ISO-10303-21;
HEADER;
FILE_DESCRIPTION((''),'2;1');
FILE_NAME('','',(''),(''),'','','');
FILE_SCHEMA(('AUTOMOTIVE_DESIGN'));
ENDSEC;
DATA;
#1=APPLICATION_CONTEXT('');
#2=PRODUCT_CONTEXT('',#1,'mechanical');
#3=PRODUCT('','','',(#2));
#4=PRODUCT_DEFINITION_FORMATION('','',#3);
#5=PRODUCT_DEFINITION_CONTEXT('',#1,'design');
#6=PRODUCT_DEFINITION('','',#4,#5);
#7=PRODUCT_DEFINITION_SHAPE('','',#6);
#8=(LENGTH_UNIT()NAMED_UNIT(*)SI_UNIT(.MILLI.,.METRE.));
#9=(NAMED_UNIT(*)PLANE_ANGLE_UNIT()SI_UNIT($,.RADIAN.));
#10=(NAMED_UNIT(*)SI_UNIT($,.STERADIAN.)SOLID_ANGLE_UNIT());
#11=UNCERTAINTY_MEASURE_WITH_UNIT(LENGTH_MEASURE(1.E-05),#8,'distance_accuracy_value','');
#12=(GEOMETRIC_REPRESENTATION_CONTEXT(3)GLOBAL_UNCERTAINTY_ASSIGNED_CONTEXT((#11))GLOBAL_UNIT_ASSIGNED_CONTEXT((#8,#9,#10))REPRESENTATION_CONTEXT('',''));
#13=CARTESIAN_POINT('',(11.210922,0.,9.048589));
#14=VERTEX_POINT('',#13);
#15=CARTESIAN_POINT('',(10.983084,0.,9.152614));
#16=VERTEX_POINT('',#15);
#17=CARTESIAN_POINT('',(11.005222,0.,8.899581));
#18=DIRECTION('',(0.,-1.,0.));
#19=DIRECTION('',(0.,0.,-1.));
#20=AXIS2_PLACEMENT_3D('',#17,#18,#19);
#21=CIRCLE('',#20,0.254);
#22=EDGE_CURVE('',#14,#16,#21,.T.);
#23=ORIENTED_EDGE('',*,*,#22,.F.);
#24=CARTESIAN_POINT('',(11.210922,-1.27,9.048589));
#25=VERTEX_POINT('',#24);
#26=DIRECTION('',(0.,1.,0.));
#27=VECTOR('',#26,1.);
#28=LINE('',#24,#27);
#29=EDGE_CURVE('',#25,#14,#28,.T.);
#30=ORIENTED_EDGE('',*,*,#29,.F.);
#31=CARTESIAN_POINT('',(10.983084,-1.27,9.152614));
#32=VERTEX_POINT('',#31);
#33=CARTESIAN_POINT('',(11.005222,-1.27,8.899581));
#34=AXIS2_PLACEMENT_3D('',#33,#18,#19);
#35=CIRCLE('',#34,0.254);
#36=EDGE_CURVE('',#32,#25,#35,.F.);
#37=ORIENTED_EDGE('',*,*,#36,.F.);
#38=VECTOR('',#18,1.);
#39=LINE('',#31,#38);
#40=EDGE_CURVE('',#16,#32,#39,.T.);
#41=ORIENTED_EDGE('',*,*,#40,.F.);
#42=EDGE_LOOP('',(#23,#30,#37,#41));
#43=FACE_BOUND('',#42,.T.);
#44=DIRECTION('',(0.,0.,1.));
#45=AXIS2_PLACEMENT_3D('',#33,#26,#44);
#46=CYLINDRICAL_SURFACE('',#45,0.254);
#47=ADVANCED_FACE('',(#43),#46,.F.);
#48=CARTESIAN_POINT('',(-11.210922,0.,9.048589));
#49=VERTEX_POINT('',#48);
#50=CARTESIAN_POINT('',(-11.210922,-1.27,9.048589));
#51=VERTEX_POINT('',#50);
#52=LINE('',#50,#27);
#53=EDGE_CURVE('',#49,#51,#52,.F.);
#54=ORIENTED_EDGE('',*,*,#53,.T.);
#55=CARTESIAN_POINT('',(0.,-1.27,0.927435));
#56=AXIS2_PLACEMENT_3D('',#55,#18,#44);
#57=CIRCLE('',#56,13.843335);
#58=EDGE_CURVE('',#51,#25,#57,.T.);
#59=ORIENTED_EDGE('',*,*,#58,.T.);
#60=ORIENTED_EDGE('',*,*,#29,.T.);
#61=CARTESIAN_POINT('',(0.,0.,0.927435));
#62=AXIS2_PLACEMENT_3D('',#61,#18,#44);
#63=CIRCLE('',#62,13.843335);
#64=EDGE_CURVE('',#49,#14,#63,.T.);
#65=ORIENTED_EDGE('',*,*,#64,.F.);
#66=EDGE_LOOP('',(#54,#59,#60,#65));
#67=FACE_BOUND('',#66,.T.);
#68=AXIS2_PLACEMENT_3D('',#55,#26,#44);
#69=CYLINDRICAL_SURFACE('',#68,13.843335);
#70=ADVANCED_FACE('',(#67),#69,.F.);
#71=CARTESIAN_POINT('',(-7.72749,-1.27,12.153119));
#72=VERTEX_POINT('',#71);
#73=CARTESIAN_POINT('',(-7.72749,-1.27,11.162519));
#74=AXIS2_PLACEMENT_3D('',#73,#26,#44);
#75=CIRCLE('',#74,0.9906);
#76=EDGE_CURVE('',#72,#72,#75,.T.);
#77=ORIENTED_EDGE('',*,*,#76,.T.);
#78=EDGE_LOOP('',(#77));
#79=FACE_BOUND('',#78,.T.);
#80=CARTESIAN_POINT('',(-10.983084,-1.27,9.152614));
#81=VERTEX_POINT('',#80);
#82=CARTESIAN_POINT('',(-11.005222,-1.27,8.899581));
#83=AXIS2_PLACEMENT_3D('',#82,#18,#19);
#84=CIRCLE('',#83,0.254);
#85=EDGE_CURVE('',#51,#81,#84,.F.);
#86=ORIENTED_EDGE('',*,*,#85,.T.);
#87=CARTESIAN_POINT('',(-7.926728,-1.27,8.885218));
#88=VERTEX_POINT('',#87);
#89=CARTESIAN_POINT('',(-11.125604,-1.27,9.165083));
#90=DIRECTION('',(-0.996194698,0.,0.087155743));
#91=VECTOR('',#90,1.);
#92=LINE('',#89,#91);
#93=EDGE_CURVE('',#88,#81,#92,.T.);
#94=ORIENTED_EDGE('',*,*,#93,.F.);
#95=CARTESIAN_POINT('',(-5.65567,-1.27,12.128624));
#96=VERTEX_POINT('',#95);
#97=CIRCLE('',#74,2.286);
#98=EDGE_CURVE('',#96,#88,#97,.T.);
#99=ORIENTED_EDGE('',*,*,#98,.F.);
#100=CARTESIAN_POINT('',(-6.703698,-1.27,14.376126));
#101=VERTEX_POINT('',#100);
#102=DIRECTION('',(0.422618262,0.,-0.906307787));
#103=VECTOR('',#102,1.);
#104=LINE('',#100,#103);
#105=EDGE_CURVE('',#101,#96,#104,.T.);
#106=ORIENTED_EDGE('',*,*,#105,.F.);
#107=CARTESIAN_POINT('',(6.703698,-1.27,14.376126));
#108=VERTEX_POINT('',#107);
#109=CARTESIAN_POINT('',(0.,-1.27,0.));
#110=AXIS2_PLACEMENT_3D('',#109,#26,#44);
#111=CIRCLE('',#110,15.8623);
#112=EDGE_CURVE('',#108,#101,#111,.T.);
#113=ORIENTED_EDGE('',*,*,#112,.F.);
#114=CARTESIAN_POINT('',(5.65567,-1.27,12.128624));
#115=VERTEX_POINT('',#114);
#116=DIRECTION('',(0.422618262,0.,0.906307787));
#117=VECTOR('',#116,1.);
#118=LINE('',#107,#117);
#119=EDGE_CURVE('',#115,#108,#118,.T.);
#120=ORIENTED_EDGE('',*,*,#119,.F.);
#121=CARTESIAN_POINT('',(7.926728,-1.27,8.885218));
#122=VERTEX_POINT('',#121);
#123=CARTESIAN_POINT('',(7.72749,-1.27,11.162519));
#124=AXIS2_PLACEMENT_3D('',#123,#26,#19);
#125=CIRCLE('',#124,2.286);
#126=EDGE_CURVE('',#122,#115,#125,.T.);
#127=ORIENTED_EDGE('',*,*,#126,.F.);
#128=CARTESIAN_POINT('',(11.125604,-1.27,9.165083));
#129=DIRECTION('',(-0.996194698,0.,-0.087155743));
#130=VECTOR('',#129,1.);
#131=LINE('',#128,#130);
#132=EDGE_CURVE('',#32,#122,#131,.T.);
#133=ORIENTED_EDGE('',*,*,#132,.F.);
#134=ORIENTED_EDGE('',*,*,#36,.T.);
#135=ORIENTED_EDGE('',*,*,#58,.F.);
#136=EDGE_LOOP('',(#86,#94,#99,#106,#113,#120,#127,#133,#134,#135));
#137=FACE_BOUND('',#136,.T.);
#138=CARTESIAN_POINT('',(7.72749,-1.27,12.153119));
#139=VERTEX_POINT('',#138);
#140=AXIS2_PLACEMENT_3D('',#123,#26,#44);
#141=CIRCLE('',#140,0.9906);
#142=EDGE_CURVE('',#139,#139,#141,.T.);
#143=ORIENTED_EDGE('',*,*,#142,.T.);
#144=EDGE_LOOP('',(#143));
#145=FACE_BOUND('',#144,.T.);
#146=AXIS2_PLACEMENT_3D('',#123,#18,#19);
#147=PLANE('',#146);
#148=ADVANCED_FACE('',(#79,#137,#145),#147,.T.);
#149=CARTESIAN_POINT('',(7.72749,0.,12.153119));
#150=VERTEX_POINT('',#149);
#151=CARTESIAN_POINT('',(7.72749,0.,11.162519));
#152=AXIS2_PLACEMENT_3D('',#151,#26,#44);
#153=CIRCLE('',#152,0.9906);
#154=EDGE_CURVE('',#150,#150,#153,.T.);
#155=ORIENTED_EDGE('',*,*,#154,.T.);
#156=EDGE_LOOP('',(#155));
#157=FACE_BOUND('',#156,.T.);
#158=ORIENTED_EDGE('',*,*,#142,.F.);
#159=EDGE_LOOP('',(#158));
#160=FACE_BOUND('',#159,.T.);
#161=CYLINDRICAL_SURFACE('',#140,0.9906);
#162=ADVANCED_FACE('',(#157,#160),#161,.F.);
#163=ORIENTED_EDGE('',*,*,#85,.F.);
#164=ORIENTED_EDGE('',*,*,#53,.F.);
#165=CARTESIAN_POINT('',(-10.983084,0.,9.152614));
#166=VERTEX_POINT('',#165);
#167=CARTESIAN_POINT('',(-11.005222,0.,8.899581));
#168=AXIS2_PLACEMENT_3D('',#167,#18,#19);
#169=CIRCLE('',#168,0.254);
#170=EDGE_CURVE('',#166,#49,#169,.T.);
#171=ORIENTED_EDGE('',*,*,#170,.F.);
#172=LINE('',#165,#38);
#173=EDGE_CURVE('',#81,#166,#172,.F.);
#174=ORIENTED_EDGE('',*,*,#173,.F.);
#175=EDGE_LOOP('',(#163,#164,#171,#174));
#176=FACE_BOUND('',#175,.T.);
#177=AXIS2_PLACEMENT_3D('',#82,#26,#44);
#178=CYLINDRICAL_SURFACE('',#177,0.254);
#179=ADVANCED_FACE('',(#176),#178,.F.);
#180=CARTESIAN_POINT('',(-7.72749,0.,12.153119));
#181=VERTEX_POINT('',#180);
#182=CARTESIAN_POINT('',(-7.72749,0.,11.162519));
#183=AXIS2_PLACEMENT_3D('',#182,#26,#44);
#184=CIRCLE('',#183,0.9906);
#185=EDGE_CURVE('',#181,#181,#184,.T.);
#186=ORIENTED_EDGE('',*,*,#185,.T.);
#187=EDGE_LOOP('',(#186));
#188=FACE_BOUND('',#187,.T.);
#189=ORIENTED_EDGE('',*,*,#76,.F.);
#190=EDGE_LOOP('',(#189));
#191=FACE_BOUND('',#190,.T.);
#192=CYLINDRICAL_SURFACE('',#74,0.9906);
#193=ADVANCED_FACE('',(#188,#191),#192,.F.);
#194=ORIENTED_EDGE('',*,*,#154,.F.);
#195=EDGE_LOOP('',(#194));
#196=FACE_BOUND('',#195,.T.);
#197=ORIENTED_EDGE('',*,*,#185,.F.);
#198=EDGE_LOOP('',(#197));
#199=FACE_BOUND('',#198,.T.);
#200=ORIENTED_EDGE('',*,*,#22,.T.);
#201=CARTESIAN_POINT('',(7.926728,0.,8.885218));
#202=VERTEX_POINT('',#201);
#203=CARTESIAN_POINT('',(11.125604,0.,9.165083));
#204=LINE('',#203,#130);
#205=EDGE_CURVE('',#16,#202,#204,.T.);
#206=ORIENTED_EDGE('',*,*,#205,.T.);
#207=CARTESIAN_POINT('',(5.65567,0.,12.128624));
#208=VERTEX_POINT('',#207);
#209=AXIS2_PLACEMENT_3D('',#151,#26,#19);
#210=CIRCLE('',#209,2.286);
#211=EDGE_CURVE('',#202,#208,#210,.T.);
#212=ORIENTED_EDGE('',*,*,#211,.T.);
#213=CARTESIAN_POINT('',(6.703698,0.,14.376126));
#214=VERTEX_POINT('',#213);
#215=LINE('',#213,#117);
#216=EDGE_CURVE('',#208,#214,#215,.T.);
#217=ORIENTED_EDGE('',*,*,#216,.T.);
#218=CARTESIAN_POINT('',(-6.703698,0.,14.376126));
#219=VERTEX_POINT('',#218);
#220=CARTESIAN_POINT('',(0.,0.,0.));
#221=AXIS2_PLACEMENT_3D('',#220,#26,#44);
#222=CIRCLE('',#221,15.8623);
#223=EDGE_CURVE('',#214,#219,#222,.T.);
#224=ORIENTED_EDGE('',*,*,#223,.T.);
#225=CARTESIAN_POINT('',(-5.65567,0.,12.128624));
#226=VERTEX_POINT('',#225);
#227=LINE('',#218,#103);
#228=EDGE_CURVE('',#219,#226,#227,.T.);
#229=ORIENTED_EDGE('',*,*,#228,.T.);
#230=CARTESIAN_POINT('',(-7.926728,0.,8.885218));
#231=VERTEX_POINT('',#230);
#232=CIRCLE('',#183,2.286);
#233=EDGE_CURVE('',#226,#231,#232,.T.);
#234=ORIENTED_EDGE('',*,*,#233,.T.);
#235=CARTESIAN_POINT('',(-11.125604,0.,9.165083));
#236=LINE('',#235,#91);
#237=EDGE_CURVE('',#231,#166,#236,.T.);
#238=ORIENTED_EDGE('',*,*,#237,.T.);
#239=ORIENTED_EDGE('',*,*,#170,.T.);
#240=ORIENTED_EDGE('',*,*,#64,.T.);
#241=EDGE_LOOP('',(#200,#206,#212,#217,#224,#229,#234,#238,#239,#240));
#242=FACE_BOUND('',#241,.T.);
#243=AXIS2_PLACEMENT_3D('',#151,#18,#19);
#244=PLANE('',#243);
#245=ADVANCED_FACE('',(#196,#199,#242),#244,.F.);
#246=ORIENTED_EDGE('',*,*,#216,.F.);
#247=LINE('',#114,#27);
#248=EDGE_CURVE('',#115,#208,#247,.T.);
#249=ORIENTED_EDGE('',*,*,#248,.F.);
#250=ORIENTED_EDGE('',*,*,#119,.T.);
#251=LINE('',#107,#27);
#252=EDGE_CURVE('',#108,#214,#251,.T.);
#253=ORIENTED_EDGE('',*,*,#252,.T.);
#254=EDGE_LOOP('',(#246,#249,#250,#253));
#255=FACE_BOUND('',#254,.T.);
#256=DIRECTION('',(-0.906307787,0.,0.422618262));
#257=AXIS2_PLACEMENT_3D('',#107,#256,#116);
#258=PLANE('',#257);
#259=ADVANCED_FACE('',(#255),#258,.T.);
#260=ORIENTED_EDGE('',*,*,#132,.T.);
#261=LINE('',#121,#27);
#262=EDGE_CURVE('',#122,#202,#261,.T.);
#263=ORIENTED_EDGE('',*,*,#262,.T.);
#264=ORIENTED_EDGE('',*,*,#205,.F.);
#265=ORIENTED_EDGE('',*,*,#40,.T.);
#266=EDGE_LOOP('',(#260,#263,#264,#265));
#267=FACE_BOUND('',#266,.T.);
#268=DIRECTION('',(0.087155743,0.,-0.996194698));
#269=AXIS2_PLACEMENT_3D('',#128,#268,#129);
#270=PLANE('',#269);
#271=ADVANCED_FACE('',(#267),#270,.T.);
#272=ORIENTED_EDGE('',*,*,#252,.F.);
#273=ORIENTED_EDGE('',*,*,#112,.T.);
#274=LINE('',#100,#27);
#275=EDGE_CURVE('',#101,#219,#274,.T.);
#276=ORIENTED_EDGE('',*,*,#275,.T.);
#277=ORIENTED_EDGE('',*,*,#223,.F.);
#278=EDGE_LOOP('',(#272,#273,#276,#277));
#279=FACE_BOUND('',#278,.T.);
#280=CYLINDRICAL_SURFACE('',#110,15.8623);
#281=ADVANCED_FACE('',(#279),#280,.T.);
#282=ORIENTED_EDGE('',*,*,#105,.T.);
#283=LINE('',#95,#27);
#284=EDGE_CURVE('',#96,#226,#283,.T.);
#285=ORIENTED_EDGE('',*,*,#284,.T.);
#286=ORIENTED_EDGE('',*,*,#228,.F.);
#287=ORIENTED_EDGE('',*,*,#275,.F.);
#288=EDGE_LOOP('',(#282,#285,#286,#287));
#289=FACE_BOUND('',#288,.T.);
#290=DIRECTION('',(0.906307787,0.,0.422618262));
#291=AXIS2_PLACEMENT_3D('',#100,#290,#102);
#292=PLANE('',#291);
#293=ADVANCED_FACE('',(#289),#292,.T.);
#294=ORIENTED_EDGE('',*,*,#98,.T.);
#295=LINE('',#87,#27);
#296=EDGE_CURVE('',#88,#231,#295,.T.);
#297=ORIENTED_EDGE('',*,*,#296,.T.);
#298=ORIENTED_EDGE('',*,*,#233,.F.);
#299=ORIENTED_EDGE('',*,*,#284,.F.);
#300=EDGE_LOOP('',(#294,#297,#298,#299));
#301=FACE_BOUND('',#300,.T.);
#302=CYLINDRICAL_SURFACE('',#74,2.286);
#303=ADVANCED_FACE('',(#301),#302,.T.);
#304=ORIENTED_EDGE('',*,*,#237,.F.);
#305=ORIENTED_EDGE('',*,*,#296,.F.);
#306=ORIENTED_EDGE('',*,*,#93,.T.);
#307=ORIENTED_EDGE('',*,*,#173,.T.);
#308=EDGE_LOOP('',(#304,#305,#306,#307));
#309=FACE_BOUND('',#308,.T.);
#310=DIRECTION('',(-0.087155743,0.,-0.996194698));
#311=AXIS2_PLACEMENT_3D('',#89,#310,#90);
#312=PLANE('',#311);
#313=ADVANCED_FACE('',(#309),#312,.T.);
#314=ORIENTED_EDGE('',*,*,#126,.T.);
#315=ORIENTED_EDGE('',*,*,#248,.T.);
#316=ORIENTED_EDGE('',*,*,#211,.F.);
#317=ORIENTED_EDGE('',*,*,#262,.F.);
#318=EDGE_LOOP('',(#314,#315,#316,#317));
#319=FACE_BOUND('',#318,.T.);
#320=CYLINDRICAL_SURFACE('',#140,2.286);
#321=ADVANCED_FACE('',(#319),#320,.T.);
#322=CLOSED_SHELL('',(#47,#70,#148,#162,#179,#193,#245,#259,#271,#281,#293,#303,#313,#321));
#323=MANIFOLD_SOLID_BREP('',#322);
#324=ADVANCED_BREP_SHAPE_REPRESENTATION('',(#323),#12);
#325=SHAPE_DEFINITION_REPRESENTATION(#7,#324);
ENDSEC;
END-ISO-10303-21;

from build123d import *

# Parameters (mm, degrees)
SKETCH2_R      = 0.9906
EXTRUDE1_DEPTH = 1.27
FILLET1_R      = 0.254


with BuildPart() as part:
    # Sketch2 → Extrude1 (new body)
    with BuildSketch(Plane(origin=(0, 0, 0), x_dir=(1, 0, 0), z_dir=(0, 1, 0))):
        with BuildLine():
            Line((6.703697653, -14.37612601), (5.655670247, -12.128623984))
            ThreePointArc((5.655670247, -12.128623984), (5.854908275, -9.851322904), (7.926727876, -8.885217558))
            Line((7.926727876, -8.885217558), (11.125604013, -9.165082956))
            ThreePointArc((11.125604013, -9.165082956), (0, 12.9159), (-11.125604013, -9.165082956))
            Line((-11.125604013, -9.165082956), (-7.926727876, -8.885217558))
            ThreePointArc((-7.926727876, -8.885217558), (-5.854908275, -9.851322904), (-5.655670247, -12.128623984))
            Line((-5.655670247, -12.128623984), (-6.703697653, -14.37612601))
            ThreePointArc((-6.703697653, -14.37612601), (0, 15.8623), (6.703697653, -14.37612601))
        make_face()
        with Locations((7.727489848, -11.162518638)):
            Circle(SKETCH2_R, mode=Mode.SUBTRACT)
        with Locations((-7.727489848, -11.162518638)):
            Circle(SKETCH2_R, mode=Mode.SUBTRACT)
    extrude(amount=-EXTRUDE1_DEPTH)

    # Fillet1
    fillet1_edges = [part.edges().sort_by_distance(p)[0] for p in [
        (11.125604013, -0.635, 9.165082956),
        (-11.125604013, -0.635, 9.165082956),
    ]]
    fillet(fillet1_edges, radius=FILLET1_R)


solid = part.part
